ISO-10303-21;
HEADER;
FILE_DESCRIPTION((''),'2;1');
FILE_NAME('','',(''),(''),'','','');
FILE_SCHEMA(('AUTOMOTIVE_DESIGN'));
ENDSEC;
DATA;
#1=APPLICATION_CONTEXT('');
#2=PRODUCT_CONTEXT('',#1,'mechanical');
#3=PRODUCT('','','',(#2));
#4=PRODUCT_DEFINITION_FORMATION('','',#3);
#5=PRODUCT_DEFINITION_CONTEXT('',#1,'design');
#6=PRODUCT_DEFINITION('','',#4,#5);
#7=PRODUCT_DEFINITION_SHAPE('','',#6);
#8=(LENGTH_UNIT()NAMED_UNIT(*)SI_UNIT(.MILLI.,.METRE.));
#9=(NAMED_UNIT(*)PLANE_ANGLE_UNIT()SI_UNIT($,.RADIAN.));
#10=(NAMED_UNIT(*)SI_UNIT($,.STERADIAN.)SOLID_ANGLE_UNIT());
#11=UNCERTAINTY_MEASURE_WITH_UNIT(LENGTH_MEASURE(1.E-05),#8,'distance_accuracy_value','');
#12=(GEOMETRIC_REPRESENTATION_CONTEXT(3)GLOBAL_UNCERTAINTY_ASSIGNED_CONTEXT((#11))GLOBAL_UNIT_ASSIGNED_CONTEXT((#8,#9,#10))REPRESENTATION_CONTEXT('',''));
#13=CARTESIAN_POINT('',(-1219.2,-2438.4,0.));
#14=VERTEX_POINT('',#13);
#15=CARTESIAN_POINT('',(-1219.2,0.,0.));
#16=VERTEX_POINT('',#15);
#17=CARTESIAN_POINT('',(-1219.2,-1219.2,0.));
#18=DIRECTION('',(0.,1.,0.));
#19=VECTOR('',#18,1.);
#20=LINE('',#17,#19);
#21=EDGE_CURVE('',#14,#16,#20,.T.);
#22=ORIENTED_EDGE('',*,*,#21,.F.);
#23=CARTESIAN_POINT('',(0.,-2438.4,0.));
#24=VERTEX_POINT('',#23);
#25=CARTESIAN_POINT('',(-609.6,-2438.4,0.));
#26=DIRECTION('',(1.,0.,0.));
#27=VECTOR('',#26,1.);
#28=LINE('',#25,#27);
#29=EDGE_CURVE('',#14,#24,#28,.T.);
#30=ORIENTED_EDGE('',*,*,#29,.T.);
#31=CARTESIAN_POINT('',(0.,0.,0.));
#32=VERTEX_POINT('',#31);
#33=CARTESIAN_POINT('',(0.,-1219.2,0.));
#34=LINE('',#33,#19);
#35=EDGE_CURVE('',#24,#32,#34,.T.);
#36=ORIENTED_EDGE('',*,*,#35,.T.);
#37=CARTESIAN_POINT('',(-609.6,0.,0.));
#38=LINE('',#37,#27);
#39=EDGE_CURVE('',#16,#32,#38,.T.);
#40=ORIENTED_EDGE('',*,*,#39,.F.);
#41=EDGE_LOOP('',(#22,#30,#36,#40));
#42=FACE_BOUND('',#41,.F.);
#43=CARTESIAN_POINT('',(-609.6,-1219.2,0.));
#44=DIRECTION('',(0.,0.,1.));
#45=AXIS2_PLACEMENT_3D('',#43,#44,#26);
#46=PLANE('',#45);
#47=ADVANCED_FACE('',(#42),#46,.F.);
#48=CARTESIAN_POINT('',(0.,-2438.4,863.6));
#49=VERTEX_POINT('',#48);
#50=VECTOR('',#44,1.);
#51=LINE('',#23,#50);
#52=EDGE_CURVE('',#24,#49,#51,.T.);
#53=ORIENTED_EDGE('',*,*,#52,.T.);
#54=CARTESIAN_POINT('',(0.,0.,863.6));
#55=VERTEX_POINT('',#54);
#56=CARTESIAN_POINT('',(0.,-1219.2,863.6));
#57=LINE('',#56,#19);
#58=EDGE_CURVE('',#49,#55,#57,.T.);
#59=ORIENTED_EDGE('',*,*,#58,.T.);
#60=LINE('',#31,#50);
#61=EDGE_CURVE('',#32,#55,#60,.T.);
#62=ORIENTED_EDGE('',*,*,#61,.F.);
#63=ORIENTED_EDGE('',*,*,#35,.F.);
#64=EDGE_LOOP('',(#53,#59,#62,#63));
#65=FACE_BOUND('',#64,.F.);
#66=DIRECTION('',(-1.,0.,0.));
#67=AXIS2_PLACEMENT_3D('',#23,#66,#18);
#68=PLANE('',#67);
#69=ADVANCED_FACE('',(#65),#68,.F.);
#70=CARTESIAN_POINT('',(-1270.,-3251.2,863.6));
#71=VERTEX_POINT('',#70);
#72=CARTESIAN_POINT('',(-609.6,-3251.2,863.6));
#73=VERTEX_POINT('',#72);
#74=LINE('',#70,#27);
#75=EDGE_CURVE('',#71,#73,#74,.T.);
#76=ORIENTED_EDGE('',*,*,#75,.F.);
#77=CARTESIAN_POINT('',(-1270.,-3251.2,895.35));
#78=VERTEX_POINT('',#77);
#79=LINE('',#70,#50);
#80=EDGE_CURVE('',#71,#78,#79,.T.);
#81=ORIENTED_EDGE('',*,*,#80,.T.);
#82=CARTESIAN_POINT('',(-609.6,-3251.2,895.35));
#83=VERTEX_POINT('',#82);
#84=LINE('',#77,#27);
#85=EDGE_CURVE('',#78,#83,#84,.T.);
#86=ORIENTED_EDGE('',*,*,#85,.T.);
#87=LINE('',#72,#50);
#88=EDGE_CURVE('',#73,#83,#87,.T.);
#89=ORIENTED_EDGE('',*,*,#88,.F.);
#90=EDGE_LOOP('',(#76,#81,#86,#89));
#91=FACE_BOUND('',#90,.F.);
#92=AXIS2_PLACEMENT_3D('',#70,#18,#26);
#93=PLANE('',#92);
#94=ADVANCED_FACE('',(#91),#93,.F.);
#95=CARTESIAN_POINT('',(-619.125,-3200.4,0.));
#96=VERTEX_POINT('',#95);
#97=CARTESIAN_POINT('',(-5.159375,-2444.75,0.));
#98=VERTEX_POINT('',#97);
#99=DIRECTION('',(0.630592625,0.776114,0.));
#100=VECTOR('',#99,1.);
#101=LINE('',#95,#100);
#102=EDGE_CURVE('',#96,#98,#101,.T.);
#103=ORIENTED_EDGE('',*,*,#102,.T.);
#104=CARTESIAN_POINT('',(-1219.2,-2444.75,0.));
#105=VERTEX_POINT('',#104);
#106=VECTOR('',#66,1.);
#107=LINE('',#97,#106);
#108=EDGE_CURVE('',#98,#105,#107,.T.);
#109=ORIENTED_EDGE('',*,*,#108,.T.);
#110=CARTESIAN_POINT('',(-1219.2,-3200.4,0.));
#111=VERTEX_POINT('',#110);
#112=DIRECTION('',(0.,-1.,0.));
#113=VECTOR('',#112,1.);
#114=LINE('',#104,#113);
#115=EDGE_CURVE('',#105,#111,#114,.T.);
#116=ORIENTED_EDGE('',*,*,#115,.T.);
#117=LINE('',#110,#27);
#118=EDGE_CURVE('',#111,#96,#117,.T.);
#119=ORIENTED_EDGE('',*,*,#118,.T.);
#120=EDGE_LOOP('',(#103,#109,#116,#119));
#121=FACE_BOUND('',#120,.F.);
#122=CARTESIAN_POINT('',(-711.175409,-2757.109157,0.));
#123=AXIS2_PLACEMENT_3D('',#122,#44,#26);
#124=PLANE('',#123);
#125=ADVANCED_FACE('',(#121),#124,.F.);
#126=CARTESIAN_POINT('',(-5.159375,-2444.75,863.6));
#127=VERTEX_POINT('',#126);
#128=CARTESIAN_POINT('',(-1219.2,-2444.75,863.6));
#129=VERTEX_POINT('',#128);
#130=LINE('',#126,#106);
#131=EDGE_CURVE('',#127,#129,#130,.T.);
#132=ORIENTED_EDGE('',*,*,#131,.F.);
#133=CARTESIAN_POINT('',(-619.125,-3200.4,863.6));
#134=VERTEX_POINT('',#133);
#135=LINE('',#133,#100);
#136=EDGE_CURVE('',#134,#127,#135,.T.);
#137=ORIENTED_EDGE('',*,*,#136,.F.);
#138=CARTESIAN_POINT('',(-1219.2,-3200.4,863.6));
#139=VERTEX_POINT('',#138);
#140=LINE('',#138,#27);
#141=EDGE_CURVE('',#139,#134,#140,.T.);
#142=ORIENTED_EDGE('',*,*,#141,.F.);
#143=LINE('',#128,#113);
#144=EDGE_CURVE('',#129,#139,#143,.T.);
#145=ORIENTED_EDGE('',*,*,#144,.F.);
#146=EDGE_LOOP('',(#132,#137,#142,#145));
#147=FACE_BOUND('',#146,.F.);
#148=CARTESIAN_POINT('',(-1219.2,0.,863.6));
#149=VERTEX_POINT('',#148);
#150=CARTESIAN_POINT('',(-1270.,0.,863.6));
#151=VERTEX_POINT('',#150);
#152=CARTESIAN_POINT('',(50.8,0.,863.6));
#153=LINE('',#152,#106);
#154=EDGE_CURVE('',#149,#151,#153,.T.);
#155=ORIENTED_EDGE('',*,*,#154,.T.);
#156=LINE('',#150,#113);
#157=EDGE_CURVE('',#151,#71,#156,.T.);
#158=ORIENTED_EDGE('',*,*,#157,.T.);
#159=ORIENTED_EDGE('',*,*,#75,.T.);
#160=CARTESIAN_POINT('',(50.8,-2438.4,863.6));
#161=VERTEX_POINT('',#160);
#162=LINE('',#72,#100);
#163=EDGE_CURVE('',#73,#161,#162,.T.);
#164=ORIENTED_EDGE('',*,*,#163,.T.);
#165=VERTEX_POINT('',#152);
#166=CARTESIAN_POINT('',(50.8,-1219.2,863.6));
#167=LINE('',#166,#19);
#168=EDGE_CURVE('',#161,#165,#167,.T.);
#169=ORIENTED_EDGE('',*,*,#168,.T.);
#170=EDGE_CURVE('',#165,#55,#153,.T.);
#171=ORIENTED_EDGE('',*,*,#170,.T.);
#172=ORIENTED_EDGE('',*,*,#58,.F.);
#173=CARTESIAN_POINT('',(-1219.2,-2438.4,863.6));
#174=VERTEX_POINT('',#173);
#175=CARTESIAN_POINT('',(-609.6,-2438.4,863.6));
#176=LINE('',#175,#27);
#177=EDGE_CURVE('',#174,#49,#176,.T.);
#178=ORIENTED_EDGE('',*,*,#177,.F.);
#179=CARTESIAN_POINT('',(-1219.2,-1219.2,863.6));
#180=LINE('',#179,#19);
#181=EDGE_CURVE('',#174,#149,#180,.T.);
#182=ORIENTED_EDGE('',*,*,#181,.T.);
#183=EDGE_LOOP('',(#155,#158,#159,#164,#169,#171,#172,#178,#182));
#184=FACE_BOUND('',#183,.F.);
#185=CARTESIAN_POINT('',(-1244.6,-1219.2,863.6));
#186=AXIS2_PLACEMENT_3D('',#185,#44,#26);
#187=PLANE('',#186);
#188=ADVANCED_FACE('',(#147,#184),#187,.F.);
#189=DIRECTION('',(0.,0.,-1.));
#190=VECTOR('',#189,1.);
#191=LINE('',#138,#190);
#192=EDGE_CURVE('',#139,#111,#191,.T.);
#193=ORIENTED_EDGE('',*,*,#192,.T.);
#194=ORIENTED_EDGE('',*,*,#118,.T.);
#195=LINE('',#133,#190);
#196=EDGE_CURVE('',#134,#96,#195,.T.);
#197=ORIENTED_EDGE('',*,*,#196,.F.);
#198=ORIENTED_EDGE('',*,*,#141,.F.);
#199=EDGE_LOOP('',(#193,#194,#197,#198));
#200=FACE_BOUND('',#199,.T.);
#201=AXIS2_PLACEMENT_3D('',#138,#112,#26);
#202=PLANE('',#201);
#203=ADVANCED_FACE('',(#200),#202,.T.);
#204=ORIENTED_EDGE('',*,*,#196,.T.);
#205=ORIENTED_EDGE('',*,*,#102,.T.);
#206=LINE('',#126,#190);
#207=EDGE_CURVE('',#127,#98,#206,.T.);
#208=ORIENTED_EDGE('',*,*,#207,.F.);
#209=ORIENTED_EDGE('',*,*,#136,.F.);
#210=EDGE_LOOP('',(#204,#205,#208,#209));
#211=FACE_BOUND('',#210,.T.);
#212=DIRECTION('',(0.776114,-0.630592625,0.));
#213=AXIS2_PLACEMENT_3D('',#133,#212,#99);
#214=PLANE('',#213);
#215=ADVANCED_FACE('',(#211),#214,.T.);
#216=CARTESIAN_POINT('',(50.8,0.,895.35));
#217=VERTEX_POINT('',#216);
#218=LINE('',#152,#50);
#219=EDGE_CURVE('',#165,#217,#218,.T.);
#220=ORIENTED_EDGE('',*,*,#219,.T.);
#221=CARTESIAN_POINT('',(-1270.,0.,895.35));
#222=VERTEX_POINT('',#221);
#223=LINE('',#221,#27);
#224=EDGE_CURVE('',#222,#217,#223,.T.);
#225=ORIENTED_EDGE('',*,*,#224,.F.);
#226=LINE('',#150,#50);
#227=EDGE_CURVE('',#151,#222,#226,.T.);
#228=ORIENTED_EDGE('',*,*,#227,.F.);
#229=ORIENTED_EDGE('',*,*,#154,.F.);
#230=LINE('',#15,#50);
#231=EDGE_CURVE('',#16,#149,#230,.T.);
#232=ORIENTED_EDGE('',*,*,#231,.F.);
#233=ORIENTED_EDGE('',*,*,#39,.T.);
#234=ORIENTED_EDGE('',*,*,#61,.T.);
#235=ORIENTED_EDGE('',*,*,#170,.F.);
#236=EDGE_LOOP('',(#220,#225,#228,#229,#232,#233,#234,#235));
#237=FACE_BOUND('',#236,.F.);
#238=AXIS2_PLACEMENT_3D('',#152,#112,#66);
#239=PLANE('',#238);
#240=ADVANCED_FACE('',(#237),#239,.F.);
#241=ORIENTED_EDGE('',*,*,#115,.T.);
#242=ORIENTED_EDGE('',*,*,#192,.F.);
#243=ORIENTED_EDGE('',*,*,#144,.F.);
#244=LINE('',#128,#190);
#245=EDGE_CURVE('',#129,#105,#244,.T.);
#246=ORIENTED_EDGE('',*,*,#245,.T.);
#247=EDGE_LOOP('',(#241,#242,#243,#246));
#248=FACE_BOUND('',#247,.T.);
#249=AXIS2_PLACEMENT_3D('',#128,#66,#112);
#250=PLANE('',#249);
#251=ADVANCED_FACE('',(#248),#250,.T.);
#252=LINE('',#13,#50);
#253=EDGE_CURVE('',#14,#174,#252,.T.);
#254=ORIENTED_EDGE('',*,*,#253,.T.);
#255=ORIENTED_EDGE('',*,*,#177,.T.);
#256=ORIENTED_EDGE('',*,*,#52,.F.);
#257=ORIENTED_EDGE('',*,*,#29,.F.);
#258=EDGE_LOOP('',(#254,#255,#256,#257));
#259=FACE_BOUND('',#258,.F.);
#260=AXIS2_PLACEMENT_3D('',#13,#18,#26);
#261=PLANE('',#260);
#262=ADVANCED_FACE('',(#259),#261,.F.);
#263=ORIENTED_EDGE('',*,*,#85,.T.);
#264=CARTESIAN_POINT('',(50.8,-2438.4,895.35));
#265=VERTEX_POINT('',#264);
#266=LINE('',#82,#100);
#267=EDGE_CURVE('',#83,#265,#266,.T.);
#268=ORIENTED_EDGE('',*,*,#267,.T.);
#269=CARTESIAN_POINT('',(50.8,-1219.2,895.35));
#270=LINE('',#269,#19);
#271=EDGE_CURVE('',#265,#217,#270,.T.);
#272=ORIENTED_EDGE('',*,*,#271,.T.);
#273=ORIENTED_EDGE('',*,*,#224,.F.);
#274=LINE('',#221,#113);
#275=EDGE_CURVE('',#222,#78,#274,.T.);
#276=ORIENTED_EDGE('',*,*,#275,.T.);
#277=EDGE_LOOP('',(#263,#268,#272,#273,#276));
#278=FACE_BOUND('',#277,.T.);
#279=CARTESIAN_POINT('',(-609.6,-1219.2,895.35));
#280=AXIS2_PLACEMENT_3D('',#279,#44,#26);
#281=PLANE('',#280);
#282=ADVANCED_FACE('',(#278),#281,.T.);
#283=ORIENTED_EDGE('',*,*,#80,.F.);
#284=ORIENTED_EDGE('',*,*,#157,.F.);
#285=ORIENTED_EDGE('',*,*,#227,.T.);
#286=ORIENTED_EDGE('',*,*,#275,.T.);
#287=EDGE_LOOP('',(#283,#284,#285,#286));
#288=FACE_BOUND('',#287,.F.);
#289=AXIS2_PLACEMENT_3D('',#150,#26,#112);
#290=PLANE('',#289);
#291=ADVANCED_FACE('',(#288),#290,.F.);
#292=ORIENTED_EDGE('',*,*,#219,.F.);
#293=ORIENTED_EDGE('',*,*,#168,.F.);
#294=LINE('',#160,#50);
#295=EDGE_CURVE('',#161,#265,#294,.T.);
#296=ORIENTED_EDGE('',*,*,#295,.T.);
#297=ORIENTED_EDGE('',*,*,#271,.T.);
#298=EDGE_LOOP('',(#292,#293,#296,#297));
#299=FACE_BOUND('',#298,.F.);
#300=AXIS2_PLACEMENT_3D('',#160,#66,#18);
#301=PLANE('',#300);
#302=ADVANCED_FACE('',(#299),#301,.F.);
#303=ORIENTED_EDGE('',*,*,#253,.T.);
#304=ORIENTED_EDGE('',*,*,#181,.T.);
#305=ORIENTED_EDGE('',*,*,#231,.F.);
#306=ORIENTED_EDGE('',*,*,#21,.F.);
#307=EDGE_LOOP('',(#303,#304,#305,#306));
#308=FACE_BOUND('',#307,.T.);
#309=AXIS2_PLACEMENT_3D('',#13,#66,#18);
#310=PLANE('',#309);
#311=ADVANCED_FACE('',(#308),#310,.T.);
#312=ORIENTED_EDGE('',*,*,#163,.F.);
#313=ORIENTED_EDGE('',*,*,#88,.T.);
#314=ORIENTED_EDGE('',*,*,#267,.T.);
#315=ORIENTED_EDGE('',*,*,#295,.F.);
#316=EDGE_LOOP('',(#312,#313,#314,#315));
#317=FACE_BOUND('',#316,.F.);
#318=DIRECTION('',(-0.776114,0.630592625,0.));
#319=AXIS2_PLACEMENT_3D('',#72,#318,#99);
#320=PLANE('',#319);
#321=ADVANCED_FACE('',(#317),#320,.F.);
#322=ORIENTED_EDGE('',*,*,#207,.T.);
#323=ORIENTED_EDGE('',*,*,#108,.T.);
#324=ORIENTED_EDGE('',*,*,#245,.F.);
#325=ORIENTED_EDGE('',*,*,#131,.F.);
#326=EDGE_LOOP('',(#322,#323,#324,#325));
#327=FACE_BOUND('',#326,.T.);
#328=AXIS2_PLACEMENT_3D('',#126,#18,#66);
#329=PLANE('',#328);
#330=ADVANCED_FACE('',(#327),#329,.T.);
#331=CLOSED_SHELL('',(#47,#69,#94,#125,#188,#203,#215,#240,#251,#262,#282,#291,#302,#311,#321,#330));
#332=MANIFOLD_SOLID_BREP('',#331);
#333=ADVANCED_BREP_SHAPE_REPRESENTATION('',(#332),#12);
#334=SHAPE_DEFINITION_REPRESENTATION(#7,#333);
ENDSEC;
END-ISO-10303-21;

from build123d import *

# Parameters (mm, degrees)
F0_W     = 1219.2
F0_H     = 2438.4
F1_DEPTH = 863.6
F2_W     = 50.8
F2_H     = 2438.4
F2_W_2   = 1219.2
F3_DEPTH = 31.75
F5_DEPTH = 31.75
F6_DEPTH = 863.6


with BuildPart() as f1:
    # F0 (on Top) → F1 (new body)
    with BuildSketch(Plane.XY):
        with Locations((-609.6, -1219.2)):
            Rectangle(F0_W, F0_H)
    extrude(amount=F1_DEPTH)

    # F2 (on face) → F3 (join)
    with BuildSketch(Plane.XY.offset(863.6)):
        with Locations((-1244.6, -1219.2)):
            Rectangle(F2_W, F2_H)
        Polygon((-1219.2, -2438.4), (-1270, -2438.4), (-1270, -3251.2), (-609.6, -3251.2), (50.8, -2438.4), (0, -2438.4), align=None)
        with Locations((25.4, -1219.2)):
            Rectangle(F2_W, F2_H)
        with Locations((-609.6, -1219.2)):
            Rectangle(F2_W_2, F2_H)
    extrude(amount=F3_DEPTH)

    # F2 (on face) → F5 (join)
    with BuildSketch(Plane.XY.offset(863.6)):
        with Locations((-609.6, -1219.2)):
            Rectangle(F2_W_2, F2_H)
    extrude(amount=F5_DEPTH)

    # F4 (on face) → F6 (join)
    with BuildSketch(Plane.XY.offset(863.6)):
        Polygon((-619.125, -3200.4), (-5.159375, -2444.75), (-1219.2, -2444.75), (-1219.2, -3200.4), align=None)
    extrude(amount=-F6_DEPTH)


solid = f1.part
